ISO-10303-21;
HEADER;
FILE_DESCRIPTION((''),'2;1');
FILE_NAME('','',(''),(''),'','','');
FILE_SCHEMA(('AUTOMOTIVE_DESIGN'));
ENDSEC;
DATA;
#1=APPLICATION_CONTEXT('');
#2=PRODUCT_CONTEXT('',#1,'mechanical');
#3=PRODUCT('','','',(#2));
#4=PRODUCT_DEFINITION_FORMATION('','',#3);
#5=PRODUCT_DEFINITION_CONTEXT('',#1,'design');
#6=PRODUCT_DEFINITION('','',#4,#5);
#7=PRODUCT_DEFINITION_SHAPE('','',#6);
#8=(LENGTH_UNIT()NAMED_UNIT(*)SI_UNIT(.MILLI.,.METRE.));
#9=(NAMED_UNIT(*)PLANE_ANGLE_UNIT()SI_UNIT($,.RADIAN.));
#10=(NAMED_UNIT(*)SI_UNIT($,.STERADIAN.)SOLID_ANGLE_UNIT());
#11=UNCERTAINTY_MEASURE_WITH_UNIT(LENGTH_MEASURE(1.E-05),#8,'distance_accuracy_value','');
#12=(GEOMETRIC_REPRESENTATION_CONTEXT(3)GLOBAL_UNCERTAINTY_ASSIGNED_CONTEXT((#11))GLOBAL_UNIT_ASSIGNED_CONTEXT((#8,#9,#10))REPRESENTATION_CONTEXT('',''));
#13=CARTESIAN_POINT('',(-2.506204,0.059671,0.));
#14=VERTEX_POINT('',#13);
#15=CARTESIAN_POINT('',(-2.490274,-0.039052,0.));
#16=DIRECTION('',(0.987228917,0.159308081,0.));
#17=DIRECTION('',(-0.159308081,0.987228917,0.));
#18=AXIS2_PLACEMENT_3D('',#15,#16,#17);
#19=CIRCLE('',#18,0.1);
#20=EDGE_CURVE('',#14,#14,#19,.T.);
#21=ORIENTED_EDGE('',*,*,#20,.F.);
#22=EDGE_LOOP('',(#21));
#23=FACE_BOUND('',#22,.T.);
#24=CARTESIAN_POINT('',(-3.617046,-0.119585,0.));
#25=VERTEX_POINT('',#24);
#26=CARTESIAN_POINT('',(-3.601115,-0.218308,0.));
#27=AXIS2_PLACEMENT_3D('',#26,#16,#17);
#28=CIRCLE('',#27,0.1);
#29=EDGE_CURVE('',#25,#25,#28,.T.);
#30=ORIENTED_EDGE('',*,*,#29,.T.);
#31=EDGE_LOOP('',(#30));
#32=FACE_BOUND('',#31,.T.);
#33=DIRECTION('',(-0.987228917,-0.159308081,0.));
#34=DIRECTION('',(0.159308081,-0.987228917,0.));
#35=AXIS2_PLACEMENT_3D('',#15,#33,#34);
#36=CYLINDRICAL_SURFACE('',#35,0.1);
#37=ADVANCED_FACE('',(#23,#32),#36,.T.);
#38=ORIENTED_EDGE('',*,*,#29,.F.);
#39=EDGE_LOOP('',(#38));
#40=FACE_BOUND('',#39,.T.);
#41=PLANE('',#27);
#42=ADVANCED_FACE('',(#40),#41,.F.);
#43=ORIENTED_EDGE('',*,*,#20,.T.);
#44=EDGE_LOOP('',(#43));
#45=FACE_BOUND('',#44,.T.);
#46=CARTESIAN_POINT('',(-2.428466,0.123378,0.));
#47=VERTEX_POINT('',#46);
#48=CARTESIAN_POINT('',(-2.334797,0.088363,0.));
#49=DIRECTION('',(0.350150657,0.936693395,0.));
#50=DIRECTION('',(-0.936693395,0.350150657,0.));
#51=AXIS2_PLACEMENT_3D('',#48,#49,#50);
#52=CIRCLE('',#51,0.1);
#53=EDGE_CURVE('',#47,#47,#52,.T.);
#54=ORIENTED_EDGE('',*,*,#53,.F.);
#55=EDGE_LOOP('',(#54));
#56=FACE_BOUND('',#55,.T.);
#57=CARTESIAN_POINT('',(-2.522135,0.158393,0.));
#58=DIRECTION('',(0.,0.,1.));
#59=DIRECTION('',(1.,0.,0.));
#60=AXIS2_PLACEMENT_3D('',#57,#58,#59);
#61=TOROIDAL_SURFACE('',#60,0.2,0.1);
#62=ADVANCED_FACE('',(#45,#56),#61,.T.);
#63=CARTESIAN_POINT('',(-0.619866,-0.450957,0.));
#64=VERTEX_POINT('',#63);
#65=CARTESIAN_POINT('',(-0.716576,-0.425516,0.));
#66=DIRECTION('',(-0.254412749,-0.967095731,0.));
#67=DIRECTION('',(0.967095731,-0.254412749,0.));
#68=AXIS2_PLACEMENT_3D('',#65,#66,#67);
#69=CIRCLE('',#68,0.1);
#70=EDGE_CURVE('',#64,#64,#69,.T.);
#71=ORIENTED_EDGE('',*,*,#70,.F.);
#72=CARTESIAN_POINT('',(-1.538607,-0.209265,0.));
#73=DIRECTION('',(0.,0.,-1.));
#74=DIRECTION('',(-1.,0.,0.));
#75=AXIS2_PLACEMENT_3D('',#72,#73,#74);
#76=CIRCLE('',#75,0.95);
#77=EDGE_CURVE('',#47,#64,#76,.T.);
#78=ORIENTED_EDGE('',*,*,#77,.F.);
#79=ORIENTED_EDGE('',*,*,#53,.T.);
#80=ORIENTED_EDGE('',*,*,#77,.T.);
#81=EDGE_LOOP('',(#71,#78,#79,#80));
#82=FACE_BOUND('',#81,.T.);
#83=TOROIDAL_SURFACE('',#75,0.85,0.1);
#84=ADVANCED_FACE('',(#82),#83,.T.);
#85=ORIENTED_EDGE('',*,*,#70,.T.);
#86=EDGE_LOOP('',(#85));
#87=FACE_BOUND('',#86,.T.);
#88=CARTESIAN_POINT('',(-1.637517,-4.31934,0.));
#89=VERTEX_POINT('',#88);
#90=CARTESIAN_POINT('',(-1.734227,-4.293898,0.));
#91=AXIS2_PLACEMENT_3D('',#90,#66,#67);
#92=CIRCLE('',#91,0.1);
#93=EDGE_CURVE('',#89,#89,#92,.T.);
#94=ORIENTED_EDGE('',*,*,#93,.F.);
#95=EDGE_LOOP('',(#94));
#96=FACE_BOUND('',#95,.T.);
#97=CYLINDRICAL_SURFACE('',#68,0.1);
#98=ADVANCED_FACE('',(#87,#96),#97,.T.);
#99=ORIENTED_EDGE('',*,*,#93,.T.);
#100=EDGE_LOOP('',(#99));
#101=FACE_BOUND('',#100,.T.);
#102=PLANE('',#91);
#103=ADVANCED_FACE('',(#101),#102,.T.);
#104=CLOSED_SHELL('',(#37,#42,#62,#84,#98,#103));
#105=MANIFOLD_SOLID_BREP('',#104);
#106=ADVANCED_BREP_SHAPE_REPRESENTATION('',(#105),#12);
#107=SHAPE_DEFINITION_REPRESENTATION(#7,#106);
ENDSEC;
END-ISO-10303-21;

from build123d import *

# Parameters (mm, degrees)
CROQUIS2_R = 0.1


with BuildPart() as part:
    # Barrer1: sweep along a path in Croquis1
    with BuildLine(Plane.XY) as barrer1_path:
        Line((-3.60111474, -0.218307583), (-2.490273597, -0.039052328))
        ThreePointArc((-2.490273597, -0.039052328), (-2.395364241, 0.003703054), (-2.334796535, 0.088363324))
        ThreePointArc((-2.334796535, 0.088363324), (-1.28134302, 0.600868075), (-0.716575777, -0.425515571))
        Line((-0.716575777, -0.425515571), (-1.734226771, -4.293898496))
    # Croquis2 → Barrer1 (sweep)
    with BuildSketch(Plane(origin=(-3.60111474, -0.218307583, 0), x_dir=(0, 0, -1), z_dir=(0.9872289173198326, 0.1593080814256168, 0))):
        Circle(CROQUIS2_R)
    sweep(path=barrer1_path.line)


solid = part.part
